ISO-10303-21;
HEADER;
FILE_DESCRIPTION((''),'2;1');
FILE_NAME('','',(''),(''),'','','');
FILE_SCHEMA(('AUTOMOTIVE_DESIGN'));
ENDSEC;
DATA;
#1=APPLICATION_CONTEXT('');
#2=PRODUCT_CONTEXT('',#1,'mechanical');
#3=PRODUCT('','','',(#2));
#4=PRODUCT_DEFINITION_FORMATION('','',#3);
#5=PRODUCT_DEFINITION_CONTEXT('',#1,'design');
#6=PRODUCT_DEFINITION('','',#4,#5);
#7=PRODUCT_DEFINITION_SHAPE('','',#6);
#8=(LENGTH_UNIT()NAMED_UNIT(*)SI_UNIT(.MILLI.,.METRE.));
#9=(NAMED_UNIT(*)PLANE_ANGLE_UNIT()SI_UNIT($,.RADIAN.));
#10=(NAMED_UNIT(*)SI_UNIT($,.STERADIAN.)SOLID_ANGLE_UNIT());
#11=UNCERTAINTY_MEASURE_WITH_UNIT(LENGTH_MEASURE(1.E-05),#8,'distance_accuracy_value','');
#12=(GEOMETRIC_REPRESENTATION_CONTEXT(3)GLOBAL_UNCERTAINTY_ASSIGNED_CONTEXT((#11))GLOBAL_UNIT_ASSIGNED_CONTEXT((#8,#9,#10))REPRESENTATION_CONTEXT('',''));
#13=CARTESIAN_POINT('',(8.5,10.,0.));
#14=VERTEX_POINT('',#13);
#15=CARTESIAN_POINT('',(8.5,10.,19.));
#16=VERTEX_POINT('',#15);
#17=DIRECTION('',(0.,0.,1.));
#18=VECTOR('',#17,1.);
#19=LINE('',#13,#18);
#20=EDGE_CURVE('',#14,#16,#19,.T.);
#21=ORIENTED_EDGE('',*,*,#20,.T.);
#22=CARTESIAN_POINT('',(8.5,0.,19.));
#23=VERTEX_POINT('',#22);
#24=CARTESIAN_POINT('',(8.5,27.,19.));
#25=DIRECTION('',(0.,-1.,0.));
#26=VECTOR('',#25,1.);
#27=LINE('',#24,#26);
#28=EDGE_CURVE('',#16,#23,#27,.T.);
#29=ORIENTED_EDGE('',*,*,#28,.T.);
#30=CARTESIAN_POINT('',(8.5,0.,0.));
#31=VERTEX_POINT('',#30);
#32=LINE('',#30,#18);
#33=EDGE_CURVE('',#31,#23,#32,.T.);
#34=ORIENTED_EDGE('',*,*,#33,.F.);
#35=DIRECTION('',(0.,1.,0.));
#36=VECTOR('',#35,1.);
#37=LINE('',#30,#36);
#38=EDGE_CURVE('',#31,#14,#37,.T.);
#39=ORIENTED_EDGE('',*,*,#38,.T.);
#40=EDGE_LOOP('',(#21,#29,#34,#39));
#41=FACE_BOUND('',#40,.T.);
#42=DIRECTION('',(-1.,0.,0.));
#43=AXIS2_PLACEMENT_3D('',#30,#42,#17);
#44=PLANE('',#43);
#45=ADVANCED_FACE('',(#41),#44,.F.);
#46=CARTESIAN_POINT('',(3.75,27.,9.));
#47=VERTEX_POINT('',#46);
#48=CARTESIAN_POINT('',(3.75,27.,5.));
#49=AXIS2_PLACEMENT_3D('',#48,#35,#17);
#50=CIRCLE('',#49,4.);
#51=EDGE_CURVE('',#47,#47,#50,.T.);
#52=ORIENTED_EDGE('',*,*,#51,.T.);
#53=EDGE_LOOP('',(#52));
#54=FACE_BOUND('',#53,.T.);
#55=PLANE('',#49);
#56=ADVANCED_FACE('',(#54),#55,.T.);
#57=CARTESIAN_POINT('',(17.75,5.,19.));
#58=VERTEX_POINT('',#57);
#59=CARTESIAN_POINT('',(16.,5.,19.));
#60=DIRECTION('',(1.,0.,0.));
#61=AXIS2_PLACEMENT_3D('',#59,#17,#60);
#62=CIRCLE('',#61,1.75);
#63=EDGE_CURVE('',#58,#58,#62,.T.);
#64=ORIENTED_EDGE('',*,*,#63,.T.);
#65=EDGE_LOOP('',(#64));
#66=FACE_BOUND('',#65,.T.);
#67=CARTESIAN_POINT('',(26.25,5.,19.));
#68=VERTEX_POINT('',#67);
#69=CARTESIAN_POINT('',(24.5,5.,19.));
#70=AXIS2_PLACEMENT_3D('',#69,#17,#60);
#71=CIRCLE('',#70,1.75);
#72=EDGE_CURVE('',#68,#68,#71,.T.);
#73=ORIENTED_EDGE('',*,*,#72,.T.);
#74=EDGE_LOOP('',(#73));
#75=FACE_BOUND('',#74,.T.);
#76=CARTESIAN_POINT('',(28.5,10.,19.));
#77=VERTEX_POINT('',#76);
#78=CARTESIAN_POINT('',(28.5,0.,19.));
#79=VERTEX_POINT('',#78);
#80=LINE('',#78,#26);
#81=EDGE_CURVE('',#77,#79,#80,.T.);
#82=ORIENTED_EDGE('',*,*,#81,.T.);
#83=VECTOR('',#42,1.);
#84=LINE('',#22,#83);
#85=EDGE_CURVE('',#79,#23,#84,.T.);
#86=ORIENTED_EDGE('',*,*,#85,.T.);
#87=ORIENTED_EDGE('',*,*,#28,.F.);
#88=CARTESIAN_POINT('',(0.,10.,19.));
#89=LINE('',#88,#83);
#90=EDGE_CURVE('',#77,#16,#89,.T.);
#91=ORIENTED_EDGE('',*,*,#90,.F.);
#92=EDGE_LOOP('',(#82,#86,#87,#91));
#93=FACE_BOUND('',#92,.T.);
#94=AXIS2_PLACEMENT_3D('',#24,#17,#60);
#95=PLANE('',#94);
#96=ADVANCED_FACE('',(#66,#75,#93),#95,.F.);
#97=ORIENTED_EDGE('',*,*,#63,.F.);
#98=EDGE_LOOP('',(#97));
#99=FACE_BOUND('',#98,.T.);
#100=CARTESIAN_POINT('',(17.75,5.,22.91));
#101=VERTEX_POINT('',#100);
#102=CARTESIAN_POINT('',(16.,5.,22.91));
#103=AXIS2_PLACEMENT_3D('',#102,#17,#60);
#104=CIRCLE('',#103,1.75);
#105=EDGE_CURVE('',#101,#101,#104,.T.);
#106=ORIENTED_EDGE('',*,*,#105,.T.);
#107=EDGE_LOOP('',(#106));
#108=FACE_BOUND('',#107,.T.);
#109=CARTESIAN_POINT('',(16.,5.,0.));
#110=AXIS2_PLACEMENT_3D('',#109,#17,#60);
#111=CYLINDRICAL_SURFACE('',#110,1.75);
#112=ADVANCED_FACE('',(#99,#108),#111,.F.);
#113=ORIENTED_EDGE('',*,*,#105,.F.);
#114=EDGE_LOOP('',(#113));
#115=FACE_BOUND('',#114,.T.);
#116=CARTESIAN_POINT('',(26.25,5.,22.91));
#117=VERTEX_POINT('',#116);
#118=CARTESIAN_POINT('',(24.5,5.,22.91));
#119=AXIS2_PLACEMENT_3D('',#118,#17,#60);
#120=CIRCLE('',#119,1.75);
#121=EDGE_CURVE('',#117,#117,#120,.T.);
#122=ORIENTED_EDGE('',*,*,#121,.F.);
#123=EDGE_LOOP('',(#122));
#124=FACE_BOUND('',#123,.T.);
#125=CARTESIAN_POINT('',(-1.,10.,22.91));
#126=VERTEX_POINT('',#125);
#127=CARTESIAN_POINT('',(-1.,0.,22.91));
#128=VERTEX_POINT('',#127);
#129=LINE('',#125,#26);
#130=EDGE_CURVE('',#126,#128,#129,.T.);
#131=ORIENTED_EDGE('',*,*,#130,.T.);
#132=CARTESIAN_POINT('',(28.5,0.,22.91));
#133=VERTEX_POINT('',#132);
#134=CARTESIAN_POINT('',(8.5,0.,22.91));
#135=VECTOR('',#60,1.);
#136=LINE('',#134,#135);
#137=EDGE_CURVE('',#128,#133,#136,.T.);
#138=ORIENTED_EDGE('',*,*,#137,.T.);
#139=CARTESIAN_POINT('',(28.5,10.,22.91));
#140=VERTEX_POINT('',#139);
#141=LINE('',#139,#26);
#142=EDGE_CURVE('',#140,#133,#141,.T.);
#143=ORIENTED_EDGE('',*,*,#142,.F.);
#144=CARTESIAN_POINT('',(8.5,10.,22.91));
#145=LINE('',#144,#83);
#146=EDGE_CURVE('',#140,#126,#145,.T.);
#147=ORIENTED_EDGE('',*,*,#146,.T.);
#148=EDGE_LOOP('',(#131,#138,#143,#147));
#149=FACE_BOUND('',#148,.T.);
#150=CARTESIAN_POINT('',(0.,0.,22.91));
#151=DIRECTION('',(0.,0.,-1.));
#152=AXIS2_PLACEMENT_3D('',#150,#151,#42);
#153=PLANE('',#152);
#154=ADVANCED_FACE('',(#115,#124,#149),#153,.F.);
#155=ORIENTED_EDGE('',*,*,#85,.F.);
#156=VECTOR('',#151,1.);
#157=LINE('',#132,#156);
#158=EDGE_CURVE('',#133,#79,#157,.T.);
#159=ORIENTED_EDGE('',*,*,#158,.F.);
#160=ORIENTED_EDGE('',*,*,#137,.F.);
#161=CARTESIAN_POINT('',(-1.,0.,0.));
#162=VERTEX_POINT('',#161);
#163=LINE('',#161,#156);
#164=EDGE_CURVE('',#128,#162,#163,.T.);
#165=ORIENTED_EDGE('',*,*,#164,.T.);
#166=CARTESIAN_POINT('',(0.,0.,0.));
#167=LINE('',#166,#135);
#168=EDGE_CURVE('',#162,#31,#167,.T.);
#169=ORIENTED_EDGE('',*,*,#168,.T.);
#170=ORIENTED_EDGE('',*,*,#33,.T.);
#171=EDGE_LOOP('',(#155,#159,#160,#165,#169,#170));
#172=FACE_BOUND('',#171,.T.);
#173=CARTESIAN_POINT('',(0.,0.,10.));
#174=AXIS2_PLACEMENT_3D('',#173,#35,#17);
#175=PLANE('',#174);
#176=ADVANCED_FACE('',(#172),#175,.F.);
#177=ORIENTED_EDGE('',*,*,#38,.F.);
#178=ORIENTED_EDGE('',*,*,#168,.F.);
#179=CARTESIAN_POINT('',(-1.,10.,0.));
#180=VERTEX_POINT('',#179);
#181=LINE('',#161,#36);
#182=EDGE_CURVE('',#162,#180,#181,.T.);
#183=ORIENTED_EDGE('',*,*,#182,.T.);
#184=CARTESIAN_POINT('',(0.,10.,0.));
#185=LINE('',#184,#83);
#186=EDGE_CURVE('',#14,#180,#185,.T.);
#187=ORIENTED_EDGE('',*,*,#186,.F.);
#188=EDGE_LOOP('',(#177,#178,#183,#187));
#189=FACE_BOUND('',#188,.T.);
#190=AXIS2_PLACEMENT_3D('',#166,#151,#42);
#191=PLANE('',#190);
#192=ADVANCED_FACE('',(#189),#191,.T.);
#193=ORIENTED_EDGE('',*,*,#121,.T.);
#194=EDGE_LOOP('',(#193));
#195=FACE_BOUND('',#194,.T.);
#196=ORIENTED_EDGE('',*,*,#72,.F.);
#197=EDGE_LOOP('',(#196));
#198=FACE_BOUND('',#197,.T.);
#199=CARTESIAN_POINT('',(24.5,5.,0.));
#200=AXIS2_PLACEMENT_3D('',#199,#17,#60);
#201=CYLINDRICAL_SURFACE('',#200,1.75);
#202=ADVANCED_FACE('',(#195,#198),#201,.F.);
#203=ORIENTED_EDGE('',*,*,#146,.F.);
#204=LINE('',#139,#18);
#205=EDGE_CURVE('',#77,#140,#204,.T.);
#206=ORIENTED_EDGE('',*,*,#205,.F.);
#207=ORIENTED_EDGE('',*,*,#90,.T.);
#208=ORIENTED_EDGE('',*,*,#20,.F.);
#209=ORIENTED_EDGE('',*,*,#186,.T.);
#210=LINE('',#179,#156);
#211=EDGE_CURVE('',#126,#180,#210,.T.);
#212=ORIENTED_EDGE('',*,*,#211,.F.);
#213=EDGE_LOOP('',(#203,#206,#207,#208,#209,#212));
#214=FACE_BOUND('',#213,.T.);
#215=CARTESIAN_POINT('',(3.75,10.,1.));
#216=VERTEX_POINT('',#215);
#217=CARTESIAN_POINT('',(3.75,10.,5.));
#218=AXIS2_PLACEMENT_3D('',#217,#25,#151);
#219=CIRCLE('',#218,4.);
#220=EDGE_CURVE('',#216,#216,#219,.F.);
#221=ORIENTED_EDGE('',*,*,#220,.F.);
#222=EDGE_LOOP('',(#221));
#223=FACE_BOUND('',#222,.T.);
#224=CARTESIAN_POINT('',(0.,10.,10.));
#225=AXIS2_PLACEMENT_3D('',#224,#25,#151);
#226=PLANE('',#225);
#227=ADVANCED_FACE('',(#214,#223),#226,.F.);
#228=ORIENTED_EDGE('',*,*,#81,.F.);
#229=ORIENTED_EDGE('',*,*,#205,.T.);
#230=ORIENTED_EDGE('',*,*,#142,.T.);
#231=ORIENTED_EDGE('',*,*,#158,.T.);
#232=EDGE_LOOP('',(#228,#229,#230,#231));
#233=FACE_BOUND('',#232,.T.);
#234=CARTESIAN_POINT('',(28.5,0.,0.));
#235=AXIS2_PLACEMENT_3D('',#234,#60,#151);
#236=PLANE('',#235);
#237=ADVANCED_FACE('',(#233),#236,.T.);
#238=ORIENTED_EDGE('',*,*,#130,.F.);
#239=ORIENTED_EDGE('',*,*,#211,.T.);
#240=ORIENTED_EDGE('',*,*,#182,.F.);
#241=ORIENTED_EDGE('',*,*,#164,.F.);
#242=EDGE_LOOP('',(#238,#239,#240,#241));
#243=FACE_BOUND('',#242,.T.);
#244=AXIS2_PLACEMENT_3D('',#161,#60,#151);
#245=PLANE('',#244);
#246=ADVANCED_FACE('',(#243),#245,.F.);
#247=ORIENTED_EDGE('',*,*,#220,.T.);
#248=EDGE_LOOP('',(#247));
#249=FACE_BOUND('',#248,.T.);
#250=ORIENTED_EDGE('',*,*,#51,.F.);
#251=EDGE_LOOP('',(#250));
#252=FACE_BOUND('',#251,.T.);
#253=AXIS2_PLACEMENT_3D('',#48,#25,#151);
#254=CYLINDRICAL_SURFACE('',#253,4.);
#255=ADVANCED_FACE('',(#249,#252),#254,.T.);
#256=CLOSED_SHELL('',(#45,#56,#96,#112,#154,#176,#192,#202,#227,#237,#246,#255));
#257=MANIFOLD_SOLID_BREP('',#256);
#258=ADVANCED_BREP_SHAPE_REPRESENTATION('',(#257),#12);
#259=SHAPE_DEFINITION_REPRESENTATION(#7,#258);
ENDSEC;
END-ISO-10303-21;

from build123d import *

# Parameters (mm, degrees)
SKETCH1_W           = 12.5
SKETCH1_H           = 10
BOSS_EXTRUDE1_DEPTH = 10
SKETCH2_W           = 10
SKETCH2_H           = 10
BOSS_EXTRUDE2_DEPTH = 5
SKETCH3_R           = 4
BOSS_EXTRUDE3_DEPTH = 17
SKETCH4_W           = 4
SKETCH4_H           = 10
CUT_EXTRUDE1_DEPTH  = 11
SKETCH5_W           = 9.5
SKETCH5_H           = 10
BOSS_EXTRUDE4_DEPTH = 12.5
SKETCH6_W           = 5
SKETCH6_H           = 10
BOSS_EXTRUDE5_DEPTH = 30
SKETCH7_R           = 1.75
CUT_EXTRUDE2_DEPTH  = 23.5
SKETCH8_W           = 30
SKETCH8_H           = 5
CUT_EXTRUDE4_DEPTH  = 10
SKETCH10_W          = 9.5
SKETCH10_H          = 10
CUT_EXTRUDE6_DEPTH  = 3.49
SKETCH11_W          = 9.5
SKETCH11_H          = 10
BOSS_EXTRUDE6_DEPTH = 3.9
SKETCH12_W          = 4
SKETCH12_H          = 10
BOSS_EXTRUDE7_DEPTH = 20
SKETCH13_W          = 20
SKETCH13_H          = 0.09
CUT_EXTRUDE7_DEPTH  = 28
SKETCH14_R          = 1.75
CUT_EXTRUDE8_DEPTH  = 23.91


with BuildPart() as part:
    # Sketch1 → Boss-Extrude1 (new body)
    with BuildSketch(Plane.XY):
        with Locations((6.25, 5)):
            Rectangle(SKETCH1_W, SKETCH1_H)
    extrude(amount=BOSS_EXTRUDE1_DEPTH)

    # Sketch2 → Boss-Extrude2 (add)
    with BuildSketch(Plane.ZY):
        with Locations((5, 5)):
            Rectangle(SKETCH2_W, SKETCH2_H)
    extrude(amount=BOSS_EXTRUDE2_DEPTH)

    # Sketch3 → Boss-Extrude3 (add)
    with BuildSketch(Plane(origin=(0, 10, 0), x_dir=(1, 0, 0), z_dir=(0, 1, 0))):
        with Locations((3.75, -5)):
            Circle(SKETCH3_R)
    extrude(amount=BOSS_EXTRUDE3_DEPTH)

    # Sketch4 → Cut-Extrude1 (cut, through all)
    with BuildSketch(Plane(origin=(0, 10, 0), x_dir=(1, 0, 0), z_dir=(0, 1, 0))):
        with Locations((10.5, -5)):
            Rectangle(SKETCH4_W, SKETCH4_H)
        with Locations((-3, -5)):
            Rectangle(SKETCH4_W, SKETCH4_H)
    extrude(amount=-CUT_EXTRUDE1_DEPTH, mode=Mode.SUBTRACT)

    # Sketch5 → Boss-Extrude4 (add)
    with BuildSketch(Plane.XY.offset(10)):
        with Locations((3.75, 5)):
            Rectangle(SKETCH5_W, SKETCH5_H)
    extrude(amount=BOSS_EXTRUDE4_DEPTH)

    # Sketch6 → Boss-Extrude5 (add)
    with BuildSketch(Plane(origin=(8.5, 0, 0), x_dir=(0, 0, -1), z_dir=(1, 0, 0))):
        with Locations((-20, 5)):
            Rectangle(SKETCH6_W, SKETCH6_H)
    extrude(amount=BOSS_EXTRUDE5_DEPTH)

    # Sketch7 → Cut-Extrude2 (cut, through all)
    with BuildSketch(Plane.XY.offset(22.5)):
        with Locations((22.5, 5)):
            Circle(SKETCH7_R)
        with Locations((33.5, 5)):
            Circle(SKETCH7_R)
    extrude(amount=-CUT_EXTRUDE2_DEPTH, mode=Mode.SUBTRACT)

    # Sketch8 → Cut-Extrude4 (cut)
    with BuildSketch(Plane(origin=(0, 10, 0), x_dir=(1, 0, 0), z_dir=(0, 1, 0))):
        with Locations((23.5, -20)):
            Rectangle(SKETCH8_W, SKETCH8_H)
    extrude(amount=-CUT_EXTRUDE4_DEPTH, mode=Mode.SUBTRACT)

    # Sketch10 → Cut-Extrude6 (cut)
    with BuildSketch(Plane.XY.offset(22.5)):
        with Locations((3.75, 5)):
            Rectangle(SKETCH10_W, SKETCH10_H)
    extrude(amount=-CUT_EXTRUDE6_DEPTH, mode=Mode.SUBTRACT)

    # Sketch11 → Boss-Extrude6 (add)
    with BuildSketch(Plane.XY.offset(19.01)):
        with Locations((3.75, 5)):
            Rectangle(SKETCH11_W, SKETCH11_H)
    extrude(amount=BOSS_EXTRUDE6_DEPTH)

    # Sketch12 → Boss-Extrude7 (add)
    with BuildSketch(Plane(origin=(8.5, 0, 0), x_dir=(0, 0, -1), z_dir=(1, 0, 0))):
        with Locations((-20.91, 5)):
            Rectangle(SKETCH12_W, SKETCH12_H)
    extrude(amount=BOSS_EXTRUDE7_DEPTH)

    # Sketch13 → Cut-Extrude7 (cut, through all)
    with BuildSketch(Plane(origin=(0, 0, 0), x_dir=(-1, 0, 0), z_dir=(0, -1, 0))):
        with Locations((-18.5, -18.955)):
            Rectangle(SKETCH13_W, SKETCH13_H)
    extrude(amount=-CUT_EXTRUDE7_DEPTH, mode=Mode.SUBTRACT)

    # Sketch14 → Cut-Extrude8 (cut, through all)
    with BuildSketch(Plane.XY.offset(22.91)):
        with Locations((16, 5)):
            Circle(SKETCH14_R)
        with Locations((24.5, 5)):
            Circle(SKETCH14_R)
    extrude(amount=-CUT_EXTRUDE8_DEPTH, mode=Mode.SUBTRACT)


solid = part.part
